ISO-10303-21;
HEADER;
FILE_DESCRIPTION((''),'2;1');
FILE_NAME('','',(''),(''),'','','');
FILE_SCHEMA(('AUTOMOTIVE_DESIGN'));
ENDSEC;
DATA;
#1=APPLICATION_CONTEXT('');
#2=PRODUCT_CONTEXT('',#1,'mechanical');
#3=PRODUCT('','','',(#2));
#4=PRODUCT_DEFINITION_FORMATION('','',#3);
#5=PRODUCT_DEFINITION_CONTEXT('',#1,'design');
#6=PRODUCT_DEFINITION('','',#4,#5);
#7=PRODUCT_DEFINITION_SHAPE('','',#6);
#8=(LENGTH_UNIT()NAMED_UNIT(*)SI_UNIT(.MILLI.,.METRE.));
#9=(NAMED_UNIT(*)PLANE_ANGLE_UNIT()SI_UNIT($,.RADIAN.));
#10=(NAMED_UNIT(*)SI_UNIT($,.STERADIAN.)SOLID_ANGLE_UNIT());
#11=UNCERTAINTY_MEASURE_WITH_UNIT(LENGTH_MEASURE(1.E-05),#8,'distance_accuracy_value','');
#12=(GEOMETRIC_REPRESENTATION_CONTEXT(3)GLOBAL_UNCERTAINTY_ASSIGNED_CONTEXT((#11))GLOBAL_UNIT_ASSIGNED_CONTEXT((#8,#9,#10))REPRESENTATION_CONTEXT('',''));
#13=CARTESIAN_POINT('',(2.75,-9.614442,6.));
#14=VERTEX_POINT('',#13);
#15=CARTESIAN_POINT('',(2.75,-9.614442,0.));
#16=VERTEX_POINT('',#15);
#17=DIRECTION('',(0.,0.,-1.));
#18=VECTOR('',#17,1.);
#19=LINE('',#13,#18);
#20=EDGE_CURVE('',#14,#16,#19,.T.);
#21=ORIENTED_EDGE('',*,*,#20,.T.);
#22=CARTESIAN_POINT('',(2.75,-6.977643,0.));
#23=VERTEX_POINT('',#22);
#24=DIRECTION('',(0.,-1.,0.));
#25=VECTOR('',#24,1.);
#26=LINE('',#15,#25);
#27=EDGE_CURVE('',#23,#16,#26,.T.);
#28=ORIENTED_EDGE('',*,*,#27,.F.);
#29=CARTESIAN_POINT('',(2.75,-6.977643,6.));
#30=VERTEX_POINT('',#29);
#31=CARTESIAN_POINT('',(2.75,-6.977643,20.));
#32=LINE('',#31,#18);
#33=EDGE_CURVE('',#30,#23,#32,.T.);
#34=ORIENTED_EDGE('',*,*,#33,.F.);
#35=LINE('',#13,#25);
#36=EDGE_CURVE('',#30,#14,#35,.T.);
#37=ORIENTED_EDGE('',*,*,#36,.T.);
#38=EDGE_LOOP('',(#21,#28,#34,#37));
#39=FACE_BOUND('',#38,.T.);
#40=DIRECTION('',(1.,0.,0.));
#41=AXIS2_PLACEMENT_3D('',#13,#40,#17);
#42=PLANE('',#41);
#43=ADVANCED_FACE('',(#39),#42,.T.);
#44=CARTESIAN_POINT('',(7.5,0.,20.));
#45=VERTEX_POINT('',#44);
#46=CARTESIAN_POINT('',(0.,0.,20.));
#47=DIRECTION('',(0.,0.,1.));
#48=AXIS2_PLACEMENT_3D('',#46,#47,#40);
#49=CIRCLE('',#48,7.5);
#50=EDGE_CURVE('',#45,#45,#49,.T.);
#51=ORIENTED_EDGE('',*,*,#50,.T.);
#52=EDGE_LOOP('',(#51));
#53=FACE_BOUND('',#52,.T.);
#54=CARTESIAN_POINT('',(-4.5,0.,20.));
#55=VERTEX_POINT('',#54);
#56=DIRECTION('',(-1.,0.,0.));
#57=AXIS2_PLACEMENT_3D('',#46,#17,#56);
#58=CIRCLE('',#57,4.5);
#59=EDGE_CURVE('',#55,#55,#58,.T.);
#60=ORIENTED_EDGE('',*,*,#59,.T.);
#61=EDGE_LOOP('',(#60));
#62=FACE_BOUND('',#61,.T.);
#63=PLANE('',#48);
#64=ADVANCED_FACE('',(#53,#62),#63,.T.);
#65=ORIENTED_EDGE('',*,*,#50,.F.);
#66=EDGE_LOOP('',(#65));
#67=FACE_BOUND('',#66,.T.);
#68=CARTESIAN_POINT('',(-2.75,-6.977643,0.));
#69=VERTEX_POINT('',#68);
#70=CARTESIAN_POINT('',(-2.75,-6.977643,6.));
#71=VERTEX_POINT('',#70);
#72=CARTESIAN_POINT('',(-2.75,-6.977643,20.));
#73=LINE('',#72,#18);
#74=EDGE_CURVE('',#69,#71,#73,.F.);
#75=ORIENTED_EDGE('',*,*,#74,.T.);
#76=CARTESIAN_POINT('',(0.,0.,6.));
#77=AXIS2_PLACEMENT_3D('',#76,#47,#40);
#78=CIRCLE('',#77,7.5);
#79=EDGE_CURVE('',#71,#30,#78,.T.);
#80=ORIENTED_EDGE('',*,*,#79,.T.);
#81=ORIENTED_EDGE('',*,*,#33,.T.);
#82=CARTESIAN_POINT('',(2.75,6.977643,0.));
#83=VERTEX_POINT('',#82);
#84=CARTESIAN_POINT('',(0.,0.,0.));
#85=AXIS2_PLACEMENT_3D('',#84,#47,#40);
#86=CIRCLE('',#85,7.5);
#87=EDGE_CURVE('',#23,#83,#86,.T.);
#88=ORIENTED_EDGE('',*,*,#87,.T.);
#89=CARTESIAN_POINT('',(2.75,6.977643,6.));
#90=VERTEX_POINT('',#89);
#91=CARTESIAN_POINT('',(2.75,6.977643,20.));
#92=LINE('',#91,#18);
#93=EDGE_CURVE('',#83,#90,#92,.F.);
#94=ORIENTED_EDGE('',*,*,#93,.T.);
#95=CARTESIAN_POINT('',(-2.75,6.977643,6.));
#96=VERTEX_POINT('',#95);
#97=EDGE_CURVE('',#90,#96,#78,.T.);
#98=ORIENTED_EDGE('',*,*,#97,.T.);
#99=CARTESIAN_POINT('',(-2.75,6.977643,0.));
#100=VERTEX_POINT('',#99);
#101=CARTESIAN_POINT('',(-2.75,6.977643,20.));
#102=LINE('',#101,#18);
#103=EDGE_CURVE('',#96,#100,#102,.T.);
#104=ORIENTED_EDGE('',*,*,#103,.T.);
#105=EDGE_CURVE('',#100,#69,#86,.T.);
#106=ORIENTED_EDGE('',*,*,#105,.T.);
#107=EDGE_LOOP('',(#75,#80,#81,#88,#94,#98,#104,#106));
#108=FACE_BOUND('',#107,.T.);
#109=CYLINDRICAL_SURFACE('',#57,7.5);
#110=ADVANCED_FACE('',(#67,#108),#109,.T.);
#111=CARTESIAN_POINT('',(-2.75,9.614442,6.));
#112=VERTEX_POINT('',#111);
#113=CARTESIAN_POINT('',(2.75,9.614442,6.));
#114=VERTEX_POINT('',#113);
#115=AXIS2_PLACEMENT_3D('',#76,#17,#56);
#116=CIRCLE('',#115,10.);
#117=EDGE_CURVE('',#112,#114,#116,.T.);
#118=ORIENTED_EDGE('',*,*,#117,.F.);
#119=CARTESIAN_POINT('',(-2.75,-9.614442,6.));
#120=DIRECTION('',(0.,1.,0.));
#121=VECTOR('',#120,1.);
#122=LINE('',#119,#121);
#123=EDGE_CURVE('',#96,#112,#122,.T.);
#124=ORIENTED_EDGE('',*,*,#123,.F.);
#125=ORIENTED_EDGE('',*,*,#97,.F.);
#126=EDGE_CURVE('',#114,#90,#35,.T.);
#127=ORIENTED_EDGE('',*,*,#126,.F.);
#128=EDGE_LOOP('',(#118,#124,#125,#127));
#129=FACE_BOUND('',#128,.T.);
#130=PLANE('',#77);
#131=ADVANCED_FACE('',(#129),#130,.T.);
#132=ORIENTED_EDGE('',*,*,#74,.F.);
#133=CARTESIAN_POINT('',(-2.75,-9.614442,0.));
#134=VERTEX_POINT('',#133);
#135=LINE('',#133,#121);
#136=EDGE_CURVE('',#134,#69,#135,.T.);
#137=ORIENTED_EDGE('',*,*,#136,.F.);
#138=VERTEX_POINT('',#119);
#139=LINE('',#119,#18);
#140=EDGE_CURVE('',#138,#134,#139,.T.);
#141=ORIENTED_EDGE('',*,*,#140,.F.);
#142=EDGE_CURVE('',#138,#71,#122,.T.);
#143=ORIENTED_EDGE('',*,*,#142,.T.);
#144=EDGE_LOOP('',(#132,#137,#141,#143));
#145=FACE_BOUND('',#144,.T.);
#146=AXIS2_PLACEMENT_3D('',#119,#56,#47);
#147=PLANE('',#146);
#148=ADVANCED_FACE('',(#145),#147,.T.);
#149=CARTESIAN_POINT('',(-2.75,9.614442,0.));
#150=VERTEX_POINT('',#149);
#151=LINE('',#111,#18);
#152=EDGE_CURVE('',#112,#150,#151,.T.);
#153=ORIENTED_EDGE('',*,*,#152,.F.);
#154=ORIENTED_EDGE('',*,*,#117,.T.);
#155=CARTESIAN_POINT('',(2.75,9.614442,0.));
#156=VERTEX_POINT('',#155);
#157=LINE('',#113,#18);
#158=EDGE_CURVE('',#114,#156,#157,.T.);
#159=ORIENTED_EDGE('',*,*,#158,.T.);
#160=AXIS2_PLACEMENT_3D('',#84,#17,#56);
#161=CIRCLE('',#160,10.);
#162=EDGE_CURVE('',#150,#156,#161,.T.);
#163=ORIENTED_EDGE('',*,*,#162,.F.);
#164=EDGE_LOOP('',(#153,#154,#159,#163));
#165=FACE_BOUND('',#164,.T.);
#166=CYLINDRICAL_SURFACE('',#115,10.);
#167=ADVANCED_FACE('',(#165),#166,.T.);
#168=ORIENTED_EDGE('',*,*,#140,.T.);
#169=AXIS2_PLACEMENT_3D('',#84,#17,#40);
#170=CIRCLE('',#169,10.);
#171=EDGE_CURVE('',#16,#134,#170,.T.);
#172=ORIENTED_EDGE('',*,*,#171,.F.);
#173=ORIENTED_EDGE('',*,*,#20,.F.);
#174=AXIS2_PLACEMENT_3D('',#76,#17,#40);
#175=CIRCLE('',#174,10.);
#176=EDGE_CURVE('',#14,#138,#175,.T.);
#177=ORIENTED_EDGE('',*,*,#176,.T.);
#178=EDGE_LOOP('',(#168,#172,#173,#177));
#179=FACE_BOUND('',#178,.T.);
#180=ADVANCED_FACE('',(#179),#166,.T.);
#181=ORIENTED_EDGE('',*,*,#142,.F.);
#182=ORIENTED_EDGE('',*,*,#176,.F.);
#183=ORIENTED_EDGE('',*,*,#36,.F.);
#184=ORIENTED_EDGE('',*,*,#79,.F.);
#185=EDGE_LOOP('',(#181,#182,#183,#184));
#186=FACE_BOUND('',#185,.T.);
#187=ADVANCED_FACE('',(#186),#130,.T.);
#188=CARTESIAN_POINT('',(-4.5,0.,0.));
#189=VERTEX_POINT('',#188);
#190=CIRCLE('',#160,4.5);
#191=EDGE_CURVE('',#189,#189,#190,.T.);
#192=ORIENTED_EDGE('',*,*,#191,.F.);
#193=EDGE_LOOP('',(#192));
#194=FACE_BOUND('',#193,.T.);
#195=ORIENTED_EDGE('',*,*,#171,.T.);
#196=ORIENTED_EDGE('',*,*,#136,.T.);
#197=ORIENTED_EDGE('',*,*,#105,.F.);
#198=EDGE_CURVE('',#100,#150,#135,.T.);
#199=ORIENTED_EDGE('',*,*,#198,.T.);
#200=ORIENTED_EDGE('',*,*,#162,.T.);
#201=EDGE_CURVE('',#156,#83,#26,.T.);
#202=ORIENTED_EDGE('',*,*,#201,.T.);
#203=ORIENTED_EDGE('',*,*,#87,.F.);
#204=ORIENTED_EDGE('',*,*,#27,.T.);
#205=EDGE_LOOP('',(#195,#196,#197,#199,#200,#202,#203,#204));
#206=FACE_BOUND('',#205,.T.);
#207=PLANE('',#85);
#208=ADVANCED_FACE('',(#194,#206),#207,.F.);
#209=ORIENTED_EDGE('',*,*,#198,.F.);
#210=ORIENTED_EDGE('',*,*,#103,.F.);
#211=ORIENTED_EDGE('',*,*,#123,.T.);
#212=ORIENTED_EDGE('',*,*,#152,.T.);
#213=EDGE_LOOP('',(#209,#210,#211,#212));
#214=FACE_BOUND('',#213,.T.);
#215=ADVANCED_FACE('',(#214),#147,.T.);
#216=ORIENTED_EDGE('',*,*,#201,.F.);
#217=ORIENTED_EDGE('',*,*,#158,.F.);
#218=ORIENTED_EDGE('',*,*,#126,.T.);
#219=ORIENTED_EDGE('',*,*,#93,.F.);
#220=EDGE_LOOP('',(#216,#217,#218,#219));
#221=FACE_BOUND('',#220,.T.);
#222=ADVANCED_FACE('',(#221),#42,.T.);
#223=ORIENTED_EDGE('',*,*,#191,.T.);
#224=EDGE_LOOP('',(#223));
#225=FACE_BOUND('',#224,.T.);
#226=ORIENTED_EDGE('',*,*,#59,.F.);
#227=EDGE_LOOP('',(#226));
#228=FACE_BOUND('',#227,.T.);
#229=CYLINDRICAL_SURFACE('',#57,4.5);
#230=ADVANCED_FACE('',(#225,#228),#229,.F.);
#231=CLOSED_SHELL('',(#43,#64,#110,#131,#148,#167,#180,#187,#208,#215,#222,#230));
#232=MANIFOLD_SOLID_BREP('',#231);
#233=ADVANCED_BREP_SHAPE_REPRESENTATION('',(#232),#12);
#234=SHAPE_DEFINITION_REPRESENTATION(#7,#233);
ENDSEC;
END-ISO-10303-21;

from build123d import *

# Parameters (mm, degrees)
SKETCH1_R           = 7.5
BOSS_EXTRUDE1_DEPTH = 20
BOSS_EXTRUDE2_DEPTH = 6
SKETCH3_R           = 4.5
CUT_EXTRUDE1_DEPTH  = 24.58495283


with BuildPart() as part:
    # Sketch1 → Boss-Extrude1 (new body)
    with BuildSketch(Plane.XY):
        Circle(SKETCH1_R)
    extrude(amount=BOSS_EXTRUDE1_DEPTH)

    # Sketch2 → Boss-Extrude2 (add)
    with BuildSketch(Plane(origin=(0, 0, 0), x_dir=(-1, 0, 0), z_dir=(0, 0, -1))):
        with BuildLine():
            Line((2.75, -9.614442262), (2.75, 9.614442262))
            ThreePointArc((2.75, 9.614442262), (0, 10), (-2.75, 9.614442262))
            Line((-2.75, 9.614442262), (-2.75, -9.614442262))
            ThreePointArc((-2.75, -9.614442262), (0, -10), (2.75, -9.614442262))
        make_face()
    extrude(amount=-BOSS_EXTRUDE2_DEPTH)

    # Sketch3 → Cut-Extrude1 (cut, through all)
    with BuildSketch(Plane(origin=(0, 0, 0), x_dir=(-1, 0, 0), z_dir=(0, 0, -1))):
        Circle(SKETCH3_R)
    extrude(amount=-CUT_EXTRUDE1_DEPTH, mode=Mode.SUBTRACT)


solid = part.part
